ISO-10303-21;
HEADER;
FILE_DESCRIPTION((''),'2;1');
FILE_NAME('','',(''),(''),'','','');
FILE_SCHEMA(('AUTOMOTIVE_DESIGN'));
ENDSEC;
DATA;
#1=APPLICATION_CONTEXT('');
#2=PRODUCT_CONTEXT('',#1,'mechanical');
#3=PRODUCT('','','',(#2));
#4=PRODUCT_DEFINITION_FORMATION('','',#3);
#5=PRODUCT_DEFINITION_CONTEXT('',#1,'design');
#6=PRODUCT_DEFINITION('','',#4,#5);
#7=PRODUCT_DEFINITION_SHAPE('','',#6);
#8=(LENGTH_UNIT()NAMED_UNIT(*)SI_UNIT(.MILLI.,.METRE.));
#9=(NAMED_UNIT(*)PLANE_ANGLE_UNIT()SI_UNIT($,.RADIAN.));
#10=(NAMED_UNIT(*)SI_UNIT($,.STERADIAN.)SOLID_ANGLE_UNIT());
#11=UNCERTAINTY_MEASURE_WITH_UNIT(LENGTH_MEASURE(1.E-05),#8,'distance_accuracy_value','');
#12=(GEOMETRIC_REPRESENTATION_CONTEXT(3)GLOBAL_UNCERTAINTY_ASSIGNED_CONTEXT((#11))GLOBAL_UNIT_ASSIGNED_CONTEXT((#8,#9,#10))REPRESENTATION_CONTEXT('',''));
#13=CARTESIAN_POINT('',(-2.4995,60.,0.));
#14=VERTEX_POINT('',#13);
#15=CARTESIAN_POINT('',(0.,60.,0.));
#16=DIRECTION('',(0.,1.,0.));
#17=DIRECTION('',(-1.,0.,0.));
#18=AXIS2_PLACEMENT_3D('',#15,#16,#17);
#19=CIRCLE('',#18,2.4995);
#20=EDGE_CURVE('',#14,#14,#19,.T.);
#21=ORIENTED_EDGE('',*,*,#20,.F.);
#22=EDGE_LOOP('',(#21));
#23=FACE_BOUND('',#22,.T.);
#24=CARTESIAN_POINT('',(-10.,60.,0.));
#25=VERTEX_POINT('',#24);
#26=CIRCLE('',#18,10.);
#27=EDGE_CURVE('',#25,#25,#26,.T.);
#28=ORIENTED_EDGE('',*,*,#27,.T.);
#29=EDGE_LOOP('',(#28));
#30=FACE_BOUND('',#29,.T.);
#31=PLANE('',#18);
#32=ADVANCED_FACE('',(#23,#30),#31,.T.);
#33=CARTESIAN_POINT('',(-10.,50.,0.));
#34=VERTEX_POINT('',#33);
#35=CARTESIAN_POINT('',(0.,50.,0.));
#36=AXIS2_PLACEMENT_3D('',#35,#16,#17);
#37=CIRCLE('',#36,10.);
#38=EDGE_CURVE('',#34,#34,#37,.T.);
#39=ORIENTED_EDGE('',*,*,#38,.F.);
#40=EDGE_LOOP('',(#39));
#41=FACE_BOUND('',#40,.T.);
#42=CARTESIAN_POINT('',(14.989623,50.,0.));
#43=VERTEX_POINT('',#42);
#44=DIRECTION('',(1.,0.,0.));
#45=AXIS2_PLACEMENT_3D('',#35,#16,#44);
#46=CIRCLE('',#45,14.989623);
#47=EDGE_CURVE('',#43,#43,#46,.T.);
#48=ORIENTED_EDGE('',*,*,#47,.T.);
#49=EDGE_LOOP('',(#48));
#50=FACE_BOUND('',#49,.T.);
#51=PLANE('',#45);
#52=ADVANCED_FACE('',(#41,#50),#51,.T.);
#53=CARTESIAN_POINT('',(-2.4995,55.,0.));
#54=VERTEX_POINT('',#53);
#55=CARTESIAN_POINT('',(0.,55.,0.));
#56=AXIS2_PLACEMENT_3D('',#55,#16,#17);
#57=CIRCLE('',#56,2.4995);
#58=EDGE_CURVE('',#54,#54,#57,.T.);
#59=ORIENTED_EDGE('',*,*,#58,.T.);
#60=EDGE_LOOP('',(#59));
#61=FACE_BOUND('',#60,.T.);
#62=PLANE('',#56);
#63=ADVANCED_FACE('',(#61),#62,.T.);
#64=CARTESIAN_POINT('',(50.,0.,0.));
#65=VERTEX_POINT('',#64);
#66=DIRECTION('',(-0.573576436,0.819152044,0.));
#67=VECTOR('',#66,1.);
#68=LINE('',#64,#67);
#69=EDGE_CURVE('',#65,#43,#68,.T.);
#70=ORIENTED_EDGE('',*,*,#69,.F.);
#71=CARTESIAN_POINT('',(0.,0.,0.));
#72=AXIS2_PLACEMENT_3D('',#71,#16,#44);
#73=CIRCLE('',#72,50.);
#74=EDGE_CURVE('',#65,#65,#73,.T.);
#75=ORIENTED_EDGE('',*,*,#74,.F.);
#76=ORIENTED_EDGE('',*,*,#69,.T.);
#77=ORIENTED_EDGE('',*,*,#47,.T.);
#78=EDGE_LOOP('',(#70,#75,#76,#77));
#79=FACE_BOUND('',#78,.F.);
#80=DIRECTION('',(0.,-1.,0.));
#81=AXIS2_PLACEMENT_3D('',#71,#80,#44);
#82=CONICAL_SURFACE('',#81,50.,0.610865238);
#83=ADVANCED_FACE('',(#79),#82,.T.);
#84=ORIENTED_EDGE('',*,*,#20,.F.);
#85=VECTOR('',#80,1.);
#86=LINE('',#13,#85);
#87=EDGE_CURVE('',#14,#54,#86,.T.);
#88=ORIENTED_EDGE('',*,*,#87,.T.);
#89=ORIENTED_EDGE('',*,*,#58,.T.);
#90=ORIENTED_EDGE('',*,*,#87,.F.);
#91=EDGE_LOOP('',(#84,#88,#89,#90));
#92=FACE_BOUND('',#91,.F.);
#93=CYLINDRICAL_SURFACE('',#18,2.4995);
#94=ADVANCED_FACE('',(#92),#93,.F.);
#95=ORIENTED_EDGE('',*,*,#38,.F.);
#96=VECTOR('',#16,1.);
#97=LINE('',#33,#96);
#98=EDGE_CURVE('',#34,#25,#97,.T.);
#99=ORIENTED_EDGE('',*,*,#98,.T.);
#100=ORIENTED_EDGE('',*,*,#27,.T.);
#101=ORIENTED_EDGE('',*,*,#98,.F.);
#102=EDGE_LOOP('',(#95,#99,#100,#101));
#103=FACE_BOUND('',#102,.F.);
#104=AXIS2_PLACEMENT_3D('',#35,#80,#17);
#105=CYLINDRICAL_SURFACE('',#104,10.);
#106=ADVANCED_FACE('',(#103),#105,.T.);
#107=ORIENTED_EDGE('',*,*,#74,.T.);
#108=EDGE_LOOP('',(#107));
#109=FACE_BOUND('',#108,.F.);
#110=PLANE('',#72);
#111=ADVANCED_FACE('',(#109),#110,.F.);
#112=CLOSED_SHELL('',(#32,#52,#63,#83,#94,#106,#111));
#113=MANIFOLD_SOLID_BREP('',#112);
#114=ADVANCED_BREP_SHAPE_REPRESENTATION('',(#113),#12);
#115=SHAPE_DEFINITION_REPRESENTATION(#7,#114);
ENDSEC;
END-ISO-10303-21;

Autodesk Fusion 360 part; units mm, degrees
sketch "Sketch1" plane through (0, 0, 0) normal (0, 1, 0) x (1, 0, 0)
  circle A0 centre (0, 0) radius 50
  dimension "d1" = 100
extrude "Extrude1" add sketch "Sketch1" along normal blind 50 draft -35 makes body 1
sketch "Sketch2" plane through (0, 50, 0) normal (0, 1, 0) x (-1, 0, 0)
  circle A0 centre (0, 0) radius 14.9896
sketch "Sketch3" plane through (0, 50, 0) normal (0, 1, 0) x (-1, 0, 0)
  circle A0 centre (0, 0) radius 10
  dimension "d5" = 20
extrude "Extrude2" add sketch "Sketch3" along normal blind 10 bodies 1
sketch "Sketch4" plane through (0, 60, 0) normal (0, 1, 0) x (-1, 0, 0)
  circle A0 centre (0, 0) radius 10
  circle A1 centre (0, 0) radius 2.4995
  dimension "d8" = 4.999
extrude "Extrude3" cut sketch "Sketch4" against normal blind 5 contours A1 bodies 1
copy_body "Body->Comp1" bodies 1 removing the originals makes body 2 in component "Component"
component "Component" placed x (1, 0, 0) y (0, 1, 0) z (0, 0, 1) at (0, 0, 0)
